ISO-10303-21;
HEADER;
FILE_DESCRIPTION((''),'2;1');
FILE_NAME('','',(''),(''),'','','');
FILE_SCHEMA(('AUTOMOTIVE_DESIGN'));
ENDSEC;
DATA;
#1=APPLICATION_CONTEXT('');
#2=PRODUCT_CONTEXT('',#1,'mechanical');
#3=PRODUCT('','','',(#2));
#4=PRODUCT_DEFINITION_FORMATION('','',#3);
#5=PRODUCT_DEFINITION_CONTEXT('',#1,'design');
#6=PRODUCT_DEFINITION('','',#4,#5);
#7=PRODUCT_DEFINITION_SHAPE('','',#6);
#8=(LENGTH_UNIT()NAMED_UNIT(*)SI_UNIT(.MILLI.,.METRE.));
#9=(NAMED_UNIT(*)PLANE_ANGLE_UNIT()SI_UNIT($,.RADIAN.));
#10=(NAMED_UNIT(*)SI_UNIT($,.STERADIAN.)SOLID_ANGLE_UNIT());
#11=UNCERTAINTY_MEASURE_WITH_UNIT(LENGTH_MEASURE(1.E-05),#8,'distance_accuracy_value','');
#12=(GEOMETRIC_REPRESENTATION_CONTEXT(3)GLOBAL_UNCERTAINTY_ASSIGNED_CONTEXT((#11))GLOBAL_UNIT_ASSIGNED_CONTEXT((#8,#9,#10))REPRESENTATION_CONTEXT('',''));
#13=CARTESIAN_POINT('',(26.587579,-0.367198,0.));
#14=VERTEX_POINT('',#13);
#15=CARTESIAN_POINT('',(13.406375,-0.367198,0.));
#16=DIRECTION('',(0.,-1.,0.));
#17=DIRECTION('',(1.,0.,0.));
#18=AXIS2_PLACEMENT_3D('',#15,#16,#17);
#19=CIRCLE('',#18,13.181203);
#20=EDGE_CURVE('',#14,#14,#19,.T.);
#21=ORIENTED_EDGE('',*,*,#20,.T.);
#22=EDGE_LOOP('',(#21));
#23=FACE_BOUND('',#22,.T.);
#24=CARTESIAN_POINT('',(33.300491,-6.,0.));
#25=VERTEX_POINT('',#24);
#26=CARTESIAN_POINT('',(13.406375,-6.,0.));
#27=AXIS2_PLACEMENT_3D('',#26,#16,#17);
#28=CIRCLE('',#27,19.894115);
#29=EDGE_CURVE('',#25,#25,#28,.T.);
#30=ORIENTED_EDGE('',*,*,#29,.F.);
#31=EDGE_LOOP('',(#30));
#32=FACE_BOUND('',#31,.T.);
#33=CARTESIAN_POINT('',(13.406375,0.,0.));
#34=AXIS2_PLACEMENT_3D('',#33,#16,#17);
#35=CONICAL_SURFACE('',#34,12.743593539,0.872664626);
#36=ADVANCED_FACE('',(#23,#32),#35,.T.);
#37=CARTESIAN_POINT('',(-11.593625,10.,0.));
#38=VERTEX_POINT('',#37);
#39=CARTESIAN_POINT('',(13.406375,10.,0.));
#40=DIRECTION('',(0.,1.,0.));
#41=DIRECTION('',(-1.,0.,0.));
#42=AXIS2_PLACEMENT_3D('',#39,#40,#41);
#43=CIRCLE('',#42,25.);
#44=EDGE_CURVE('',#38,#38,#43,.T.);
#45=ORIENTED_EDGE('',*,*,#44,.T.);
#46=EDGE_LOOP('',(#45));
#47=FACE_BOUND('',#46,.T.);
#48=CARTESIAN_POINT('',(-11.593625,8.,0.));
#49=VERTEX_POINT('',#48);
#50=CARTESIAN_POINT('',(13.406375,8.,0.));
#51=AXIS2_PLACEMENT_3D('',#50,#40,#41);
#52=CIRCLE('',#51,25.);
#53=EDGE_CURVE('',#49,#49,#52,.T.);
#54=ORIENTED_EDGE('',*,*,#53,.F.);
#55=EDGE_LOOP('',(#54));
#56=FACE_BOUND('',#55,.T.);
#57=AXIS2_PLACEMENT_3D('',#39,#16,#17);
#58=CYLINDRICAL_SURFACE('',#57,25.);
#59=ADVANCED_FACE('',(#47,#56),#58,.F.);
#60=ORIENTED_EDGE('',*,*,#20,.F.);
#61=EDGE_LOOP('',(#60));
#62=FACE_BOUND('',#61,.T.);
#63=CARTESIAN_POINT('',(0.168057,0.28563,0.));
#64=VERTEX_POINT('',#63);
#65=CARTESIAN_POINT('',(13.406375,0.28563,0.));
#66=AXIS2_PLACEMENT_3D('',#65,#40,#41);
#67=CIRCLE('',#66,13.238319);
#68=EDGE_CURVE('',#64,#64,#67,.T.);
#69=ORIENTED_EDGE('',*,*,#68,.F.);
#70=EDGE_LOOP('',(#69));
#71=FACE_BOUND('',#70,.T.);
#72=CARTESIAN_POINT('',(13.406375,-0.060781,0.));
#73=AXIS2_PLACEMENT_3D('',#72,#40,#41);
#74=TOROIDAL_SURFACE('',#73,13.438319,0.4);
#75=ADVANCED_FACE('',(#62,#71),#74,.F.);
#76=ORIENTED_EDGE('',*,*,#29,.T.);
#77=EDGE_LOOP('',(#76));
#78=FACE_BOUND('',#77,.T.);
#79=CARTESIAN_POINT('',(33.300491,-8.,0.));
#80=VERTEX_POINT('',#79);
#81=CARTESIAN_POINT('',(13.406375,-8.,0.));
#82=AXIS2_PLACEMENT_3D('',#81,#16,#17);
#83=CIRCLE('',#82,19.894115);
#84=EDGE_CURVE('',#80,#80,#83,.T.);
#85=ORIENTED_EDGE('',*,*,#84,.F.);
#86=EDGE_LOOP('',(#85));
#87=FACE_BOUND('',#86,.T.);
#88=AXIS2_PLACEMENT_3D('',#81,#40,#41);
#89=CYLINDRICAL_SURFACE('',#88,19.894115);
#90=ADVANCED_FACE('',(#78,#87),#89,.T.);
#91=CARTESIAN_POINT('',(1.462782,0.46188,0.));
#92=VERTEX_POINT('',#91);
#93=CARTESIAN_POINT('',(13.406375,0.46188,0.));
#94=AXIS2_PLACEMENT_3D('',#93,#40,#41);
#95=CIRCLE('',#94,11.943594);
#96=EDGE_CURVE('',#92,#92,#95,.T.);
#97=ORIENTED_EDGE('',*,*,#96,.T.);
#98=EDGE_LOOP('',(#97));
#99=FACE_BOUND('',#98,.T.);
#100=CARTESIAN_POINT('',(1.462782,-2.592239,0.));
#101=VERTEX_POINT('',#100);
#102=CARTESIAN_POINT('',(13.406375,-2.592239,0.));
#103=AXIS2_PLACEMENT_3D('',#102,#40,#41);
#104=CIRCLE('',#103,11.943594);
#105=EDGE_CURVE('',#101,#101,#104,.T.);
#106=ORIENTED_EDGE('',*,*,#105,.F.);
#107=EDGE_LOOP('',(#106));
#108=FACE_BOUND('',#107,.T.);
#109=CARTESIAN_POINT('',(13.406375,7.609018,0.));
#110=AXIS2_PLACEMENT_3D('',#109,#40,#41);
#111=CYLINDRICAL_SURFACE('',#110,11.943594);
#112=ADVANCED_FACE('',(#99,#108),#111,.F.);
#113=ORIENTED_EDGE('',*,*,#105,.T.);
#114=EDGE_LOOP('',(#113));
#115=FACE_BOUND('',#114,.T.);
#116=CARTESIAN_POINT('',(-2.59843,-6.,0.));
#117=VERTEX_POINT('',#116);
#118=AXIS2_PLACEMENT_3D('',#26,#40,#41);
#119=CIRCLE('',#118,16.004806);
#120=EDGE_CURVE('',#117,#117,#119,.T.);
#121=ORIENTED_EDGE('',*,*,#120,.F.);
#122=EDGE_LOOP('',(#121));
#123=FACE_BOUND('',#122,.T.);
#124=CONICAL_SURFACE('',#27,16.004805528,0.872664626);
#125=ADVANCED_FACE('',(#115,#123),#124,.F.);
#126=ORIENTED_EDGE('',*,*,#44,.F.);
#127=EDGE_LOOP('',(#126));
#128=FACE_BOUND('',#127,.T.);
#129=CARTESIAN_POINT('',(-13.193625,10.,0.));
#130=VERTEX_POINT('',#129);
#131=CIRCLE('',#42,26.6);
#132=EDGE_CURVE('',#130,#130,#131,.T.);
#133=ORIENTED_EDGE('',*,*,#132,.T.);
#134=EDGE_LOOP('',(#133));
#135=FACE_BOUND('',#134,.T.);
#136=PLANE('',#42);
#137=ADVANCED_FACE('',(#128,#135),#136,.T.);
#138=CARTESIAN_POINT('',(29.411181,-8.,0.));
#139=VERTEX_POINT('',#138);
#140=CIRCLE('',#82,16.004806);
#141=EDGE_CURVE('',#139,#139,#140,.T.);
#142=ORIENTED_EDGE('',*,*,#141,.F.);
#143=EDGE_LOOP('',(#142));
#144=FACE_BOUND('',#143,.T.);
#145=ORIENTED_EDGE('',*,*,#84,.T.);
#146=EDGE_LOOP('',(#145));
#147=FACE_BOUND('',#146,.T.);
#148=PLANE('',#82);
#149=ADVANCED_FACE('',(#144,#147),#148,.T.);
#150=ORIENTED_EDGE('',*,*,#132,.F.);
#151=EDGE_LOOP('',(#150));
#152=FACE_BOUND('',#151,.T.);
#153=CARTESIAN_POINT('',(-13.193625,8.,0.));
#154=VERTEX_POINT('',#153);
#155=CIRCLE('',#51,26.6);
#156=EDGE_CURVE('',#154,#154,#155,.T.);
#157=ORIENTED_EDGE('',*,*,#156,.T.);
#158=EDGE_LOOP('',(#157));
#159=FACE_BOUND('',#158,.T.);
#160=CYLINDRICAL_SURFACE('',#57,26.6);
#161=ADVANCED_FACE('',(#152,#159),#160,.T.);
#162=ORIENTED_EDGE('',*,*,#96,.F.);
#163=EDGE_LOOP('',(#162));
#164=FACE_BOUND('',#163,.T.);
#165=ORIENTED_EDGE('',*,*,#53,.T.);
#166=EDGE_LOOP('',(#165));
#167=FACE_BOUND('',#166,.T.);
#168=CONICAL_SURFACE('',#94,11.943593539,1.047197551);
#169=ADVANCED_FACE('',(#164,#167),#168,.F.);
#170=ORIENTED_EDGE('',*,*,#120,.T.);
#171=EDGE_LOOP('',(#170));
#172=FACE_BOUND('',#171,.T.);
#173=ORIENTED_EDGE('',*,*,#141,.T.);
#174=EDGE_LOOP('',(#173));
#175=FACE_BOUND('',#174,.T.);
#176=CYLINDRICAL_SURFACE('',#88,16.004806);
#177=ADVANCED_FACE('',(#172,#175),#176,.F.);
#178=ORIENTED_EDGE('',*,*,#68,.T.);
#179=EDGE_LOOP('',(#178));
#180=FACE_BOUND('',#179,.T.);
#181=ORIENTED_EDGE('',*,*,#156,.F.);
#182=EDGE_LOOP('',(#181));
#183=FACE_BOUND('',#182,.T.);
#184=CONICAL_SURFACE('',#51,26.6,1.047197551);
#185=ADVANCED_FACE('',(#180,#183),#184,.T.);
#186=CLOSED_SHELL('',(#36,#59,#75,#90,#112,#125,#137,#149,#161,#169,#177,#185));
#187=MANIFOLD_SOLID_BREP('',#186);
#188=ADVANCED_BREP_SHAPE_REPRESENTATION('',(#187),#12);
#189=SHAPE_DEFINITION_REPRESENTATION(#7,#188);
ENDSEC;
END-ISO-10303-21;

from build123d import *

# Parameters (mm, degrees)
FILLET2_R           = 0.4
SKETCH2_R           = 26.6
SKETCH2_R_2         = 25
BOSS_EXTRUDE1_DEPTH = 2
SKETCH3_R           = 19.894115095
SKETCH3_R_2         = 16.004805528
BOSS_EXTRUDE2_DEPTH = 2


with BuildPart() as part:
    # Sketch1 → Revolve1 (revolve)
    with BuildSketch(Plane.XY):
        Polygon((0.662781953, 0), (-13.193624508, 8), (-11.593624508, 8), (1.462781953, 0.461880215), (1.462781953, -2.592238518), (-2.598430036, -6), (-6.487739603, -6), align=None)
    revolve(axis=Axis((13.406375492, 7.609018033, 0), (0, -1, 0)))

    # Fillet2
    fillet2_edges = [part.edges().sort_by_distance(p)[0] for p in [
        (26.149969032, 0, 0),
    ]]
    fillet(fillet2_edges, radius=FILLET2_R)

    # Sketch2 → Boss-Extrude1 (add)
    with BuildSketch(Plane(origin=(0, 8, 0), x_dir=(1, 0, 0), z_dir=(0, 1, 0))):
        with Locations(Location((13.406375492, 0, 0), (0, 0, 180))):
            Circle(SKETCH2_R)
        with Locations(Location((13.406375492, 0, 0), (0, 0, 180))):
            Circle(SKETCH2_R_2, mode=Mode.SUBTRACT)
    extrude(amount=BOSS_EXTRUDE1_DEPTH)

    # Sketch3 → Boss-Extrude2 (add)
    with BuildSketch(Plane.XZ.offset(6)):
        with Locations((13.406375492, 0)):
            Circle(SKETCH3_R)
        with Locations(Location((13.406375492, 0, 0), (0, 0, 180))):
            Circle(SKETCH3_R_2, mode=Mode.SUBTRACT)
    extrude(amount=BOSS_EXTRUDE2_DEPTH)


solid = part.part
